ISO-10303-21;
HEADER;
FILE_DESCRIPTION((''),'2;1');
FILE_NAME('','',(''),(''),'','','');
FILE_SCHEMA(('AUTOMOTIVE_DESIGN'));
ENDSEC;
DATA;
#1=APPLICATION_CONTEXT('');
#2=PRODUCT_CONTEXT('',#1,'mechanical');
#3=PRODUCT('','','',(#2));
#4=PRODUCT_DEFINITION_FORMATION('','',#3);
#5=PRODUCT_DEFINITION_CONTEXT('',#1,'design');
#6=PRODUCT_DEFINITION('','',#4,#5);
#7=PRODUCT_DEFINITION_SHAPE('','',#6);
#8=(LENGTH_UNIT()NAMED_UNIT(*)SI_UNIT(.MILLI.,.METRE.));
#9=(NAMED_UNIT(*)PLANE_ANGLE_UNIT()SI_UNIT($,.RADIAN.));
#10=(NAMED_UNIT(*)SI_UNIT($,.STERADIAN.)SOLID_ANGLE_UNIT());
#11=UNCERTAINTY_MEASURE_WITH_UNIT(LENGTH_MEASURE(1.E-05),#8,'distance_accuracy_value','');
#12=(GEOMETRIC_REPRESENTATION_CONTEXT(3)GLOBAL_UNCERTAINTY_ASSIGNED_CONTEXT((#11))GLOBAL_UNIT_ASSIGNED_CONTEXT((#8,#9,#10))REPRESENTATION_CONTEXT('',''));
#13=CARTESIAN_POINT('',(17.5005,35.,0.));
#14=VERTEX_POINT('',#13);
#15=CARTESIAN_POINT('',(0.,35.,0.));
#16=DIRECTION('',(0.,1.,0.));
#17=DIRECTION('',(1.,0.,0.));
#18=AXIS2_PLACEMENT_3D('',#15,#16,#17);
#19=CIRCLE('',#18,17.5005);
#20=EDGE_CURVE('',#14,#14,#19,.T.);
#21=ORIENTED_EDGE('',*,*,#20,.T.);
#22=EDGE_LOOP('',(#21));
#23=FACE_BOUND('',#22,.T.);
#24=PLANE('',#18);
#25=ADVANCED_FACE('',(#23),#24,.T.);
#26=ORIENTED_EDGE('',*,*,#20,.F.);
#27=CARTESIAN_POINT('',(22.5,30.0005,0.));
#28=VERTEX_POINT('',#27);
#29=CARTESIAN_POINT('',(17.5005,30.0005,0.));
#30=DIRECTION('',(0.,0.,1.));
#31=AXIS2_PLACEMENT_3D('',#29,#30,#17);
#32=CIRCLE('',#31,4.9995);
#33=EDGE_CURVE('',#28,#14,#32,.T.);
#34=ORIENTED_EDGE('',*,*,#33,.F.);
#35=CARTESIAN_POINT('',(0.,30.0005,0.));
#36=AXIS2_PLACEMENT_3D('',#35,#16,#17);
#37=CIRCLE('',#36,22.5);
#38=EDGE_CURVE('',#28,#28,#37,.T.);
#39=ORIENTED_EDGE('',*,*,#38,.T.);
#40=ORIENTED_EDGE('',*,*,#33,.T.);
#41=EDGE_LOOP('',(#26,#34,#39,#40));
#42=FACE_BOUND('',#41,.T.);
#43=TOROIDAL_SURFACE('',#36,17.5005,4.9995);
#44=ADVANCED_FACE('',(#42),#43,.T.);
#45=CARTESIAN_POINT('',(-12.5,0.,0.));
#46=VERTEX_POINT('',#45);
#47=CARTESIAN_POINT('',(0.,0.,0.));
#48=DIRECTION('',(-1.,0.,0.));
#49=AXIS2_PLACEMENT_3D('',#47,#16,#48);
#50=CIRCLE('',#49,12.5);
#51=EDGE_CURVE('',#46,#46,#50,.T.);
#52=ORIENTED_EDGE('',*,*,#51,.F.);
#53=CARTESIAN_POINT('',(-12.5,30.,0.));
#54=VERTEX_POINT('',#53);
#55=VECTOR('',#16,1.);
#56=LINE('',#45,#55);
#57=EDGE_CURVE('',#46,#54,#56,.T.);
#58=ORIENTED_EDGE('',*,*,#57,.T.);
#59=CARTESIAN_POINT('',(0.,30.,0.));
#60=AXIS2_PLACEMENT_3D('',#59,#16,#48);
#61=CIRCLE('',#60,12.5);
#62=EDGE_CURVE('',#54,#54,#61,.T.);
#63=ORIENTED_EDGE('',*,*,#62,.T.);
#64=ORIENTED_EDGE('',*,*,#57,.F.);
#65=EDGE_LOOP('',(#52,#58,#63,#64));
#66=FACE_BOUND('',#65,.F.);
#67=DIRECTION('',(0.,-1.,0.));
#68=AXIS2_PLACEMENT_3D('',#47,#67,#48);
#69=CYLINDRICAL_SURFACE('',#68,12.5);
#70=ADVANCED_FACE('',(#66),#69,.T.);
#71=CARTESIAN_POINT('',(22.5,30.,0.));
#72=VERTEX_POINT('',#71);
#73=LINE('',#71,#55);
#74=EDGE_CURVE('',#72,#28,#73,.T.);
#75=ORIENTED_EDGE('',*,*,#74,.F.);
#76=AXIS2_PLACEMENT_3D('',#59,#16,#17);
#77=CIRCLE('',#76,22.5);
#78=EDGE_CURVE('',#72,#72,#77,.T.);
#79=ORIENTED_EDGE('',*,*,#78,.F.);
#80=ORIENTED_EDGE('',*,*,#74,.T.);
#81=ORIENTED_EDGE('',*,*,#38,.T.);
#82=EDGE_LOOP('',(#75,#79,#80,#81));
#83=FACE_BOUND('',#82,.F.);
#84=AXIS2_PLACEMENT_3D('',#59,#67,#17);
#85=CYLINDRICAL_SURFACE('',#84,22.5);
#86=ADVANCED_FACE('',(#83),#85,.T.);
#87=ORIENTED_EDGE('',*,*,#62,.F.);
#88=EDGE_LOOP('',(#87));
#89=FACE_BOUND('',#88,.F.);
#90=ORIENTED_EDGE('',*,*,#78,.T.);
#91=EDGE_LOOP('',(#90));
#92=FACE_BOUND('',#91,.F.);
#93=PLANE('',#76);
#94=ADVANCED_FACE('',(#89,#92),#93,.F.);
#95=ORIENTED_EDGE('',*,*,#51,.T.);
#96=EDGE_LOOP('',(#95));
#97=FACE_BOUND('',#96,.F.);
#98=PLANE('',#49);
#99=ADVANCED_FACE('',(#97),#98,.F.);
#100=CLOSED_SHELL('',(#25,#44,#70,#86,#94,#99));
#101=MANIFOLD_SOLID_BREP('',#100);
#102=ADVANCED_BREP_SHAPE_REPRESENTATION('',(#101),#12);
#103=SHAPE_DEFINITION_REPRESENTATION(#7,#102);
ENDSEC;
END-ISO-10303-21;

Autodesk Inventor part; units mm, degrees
ref_plane "YZ Plane" through (0, 0, 0) normal (1, 0, 0) x (0, 1, 0)
ref_plane "XZ Plane" through (0, 0, 0) normal (0, 1, 0) x (-1, 0, 0)
ref_plane "XY Plane" through (0, 0, 0) normal (0, 0, 1) x (1, 0, 0)
sketch "Esquisse1" plane through (0, 0, 0) normal (0, 1, 0) x (-1, 0, 0)
  circle A0 centre (0, 0) radius 12.5
  dimension "d0" = 25
extrude "Extrusion1" add sketch "Esquisse1" along normal blind 30
sketch "Esquisse2" plane through (0, 30, 0) normal (0, 1, 0) x (1, 0, 0)
  circle A0 centre (0, 0) radius 22.5
  dimension "d3" = 45
extrude "Extrusion2" add sketch "Esquisse2" along normal blind 5
fillet "Congé1" radius 5 1 edges at (-22.5, 35, 0)
properties part number "BAU"
